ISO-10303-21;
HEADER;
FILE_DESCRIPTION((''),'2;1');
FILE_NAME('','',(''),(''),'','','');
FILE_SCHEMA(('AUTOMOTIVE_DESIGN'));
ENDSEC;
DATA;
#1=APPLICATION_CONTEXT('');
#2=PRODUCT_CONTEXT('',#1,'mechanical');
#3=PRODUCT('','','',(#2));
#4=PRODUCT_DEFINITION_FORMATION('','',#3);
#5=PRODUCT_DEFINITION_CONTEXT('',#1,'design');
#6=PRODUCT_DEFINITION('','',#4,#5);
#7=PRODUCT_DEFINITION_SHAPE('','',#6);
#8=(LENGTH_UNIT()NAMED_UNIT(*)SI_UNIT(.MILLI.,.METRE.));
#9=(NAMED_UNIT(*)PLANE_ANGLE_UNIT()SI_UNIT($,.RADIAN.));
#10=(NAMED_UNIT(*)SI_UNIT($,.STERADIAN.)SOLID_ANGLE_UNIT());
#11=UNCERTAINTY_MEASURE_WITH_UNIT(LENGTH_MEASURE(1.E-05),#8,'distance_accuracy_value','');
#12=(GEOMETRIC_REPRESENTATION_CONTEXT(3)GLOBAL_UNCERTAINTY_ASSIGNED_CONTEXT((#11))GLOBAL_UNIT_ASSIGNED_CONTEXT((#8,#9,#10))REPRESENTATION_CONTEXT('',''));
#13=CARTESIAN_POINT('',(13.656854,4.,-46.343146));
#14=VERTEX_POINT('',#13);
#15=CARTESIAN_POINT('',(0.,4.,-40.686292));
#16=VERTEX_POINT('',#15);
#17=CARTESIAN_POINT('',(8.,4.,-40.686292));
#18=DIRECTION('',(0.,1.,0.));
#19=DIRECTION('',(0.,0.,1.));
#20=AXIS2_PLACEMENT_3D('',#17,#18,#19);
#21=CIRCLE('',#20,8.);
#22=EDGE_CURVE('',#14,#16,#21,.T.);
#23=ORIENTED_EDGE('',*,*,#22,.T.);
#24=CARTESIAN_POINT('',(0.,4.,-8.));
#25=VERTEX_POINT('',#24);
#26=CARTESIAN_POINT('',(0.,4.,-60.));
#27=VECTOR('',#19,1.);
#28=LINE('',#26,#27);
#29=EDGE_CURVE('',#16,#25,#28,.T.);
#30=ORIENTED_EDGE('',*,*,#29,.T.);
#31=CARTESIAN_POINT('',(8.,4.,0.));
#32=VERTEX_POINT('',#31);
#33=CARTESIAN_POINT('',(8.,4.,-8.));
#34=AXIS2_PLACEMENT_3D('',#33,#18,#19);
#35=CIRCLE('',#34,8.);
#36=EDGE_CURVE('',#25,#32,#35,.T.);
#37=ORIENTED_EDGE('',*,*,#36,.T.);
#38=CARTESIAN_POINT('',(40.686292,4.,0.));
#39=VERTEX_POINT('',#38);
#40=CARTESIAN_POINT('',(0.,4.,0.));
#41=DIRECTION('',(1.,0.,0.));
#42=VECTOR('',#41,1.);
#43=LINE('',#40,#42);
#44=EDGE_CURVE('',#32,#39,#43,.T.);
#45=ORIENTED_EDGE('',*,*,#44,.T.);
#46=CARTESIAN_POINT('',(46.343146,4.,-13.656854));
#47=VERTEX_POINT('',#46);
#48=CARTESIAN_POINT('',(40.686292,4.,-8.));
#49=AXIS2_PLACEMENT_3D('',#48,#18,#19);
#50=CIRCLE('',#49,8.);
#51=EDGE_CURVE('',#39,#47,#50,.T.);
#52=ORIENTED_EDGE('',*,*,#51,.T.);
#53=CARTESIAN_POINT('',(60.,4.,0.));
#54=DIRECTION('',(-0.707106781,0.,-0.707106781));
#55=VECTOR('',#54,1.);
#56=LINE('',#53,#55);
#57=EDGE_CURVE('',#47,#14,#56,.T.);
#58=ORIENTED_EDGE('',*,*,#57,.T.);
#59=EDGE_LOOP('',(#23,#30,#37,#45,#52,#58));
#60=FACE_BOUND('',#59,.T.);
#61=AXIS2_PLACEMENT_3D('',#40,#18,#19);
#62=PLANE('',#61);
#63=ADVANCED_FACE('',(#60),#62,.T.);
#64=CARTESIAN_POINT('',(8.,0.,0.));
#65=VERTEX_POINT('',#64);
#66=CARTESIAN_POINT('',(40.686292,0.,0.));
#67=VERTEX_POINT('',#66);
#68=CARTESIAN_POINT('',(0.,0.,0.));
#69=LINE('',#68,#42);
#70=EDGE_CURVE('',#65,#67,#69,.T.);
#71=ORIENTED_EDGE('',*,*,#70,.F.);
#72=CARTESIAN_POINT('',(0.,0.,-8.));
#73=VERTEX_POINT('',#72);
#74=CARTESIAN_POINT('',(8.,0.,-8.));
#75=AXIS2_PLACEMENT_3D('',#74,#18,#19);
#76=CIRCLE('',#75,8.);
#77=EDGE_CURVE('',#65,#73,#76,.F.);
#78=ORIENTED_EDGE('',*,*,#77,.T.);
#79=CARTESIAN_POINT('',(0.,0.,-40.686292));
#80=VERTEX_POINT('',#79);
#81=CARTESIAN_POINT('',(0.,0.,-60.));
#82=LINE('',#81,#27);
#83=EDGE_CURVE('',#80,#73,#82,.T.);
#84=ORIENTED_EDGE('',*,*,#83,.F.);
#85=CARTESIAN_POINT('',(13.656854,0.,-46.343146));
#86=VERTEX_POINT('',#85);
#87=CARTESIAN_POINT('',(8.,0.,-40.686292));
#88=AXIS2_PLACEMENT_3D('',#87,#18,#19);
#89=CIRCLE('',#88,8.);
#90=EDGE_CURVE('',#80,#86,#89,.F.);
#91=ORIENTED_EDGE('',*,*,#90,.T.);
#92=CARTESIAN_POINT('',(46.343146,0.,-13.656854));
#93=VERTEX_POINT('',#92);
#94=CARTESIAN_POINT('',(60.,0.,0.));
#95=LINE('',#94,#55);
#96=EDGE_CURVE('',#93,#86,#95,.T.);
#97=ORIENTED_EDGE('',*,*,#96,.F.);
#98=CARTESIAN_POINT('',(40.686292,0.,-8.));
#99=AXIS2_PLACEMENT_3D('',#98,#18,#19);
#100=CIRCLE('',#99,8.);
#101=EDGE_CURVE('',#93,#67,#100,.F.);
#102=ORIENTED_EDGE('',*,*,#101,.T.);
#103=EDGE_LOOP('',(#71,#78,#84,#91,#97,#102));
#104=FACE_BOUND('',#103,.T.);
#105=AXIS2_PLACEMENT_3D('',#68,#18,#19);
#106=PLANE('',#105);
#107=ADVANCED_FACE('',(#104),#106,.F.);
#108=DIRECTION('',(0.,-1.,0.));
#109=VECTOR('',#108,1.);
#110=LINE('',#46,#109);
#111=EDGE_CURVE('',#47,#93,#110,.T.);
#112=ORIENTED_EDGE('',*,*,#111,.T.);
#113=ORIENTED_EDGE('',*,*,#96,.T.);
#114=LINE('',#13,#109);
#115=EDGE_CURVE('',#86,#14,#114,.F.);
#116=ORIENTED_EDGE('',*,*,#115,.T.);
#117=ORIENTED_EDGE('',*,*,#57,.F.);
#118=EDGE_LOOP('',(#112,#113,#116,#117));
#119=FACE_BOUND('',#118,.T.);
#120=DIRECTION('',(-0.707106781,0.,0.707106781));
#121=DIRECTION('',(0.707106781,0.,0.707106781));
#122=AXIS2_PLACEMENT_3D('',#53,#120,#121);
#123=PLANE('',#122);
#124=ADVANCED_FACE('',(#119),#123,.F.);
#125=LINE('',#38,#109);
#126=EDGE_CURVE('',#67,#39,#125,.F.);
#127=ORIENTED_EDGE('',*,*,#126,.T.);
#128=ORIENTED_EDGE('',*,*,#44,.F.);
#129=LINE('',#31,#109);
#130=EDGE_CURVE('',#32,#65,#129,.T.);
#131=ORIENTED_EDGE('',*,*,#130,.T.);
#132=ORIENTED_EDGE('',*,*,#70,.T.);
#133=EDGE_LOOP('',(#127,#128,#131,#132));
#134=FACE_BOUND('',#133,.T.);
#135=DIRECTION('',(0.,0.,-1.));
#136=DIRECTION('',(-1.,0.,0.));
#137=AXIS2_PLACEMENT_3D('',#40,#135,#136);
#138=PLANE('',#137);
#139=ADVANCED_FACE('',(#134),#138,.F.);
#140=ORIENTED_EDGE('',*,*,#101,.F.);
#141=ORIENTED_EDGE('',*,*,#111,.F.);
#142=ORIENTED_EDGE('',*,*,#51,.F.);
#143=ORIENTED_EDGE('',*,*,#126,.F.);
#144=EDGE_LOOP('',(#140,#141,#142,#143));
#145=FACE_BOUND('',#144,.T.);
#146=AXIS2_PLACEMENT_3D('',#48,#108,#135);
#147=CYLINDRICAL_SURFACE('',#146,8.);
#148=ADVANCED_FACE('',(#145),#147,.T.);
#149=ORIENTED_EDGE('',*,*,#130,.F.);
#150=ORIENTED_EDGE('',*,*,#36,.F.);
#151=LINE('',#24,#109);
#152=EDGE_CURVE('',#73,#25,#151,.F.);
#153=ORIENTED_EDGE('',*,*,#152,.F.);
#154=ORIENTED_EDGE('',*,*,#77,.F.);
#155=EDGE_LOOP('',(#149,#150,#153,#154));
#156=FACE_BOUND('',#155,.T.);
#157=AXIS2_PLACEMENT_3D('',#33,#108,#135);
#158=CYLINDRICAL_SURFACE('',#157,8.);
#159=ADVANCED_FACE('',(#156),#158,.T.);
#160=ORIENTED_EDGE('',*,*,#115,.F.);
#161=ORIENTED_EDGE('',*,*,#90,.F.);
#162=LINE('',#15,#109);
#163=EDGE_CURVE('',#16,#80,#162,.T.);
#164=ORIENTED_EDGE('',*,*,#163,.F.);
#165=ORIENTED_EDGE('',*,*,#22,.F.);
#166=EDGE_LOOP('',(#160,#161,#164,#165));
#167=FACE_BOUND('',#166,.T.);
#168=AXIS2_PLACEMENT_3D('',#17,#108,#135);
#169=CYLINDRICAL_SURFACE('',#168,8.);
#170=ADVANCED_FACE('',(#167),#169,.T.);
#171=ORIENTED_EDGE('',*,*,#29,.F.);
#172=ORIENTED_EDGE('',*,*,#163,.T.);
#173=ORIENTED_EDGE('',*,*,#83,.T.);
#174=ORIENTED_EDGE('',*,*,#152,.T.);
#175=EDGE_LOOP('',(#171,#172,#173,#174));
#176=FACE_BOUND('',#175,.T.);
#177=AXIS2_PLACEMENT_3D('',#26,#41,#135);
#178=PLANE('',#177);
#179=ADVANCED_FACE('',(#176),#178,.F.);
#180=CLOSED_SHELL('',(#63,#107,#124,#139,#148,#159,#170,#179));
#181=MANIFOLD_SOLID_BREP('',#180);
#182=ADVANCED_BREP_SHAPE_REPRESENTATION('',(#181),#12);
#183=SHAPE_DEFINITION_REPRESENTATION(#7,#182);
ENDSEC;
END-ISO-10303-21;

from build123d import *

# Parameters (mm, degrees)
EXTRUDE_1_DEPTH = 4
FILLET_1_R      = 8


with BuildPart() as part:
    # 草图1 → 凸台-拉伸1 (new body)
    with BuildSketch(Plane(origin=(0, 0, 0), x_dir=(1, 0, 0), z_dir=(0, 1, 0))):
        Polygon((0, 0), (60, 0), (0, 60), align=None)
    extrude(amount=EXTRUDE_1_DEPTH)

    # 圆角1
    fillet_1_edges = [part.edges().sort_by_distance(p)[0] for p in [
        (0, 2, -60),
        (60, 2, 0),
        (0, 2, 0),
    ]]
    fillet(fillet_1_edges, radius=FILLET_1_R)


solid = part.part
